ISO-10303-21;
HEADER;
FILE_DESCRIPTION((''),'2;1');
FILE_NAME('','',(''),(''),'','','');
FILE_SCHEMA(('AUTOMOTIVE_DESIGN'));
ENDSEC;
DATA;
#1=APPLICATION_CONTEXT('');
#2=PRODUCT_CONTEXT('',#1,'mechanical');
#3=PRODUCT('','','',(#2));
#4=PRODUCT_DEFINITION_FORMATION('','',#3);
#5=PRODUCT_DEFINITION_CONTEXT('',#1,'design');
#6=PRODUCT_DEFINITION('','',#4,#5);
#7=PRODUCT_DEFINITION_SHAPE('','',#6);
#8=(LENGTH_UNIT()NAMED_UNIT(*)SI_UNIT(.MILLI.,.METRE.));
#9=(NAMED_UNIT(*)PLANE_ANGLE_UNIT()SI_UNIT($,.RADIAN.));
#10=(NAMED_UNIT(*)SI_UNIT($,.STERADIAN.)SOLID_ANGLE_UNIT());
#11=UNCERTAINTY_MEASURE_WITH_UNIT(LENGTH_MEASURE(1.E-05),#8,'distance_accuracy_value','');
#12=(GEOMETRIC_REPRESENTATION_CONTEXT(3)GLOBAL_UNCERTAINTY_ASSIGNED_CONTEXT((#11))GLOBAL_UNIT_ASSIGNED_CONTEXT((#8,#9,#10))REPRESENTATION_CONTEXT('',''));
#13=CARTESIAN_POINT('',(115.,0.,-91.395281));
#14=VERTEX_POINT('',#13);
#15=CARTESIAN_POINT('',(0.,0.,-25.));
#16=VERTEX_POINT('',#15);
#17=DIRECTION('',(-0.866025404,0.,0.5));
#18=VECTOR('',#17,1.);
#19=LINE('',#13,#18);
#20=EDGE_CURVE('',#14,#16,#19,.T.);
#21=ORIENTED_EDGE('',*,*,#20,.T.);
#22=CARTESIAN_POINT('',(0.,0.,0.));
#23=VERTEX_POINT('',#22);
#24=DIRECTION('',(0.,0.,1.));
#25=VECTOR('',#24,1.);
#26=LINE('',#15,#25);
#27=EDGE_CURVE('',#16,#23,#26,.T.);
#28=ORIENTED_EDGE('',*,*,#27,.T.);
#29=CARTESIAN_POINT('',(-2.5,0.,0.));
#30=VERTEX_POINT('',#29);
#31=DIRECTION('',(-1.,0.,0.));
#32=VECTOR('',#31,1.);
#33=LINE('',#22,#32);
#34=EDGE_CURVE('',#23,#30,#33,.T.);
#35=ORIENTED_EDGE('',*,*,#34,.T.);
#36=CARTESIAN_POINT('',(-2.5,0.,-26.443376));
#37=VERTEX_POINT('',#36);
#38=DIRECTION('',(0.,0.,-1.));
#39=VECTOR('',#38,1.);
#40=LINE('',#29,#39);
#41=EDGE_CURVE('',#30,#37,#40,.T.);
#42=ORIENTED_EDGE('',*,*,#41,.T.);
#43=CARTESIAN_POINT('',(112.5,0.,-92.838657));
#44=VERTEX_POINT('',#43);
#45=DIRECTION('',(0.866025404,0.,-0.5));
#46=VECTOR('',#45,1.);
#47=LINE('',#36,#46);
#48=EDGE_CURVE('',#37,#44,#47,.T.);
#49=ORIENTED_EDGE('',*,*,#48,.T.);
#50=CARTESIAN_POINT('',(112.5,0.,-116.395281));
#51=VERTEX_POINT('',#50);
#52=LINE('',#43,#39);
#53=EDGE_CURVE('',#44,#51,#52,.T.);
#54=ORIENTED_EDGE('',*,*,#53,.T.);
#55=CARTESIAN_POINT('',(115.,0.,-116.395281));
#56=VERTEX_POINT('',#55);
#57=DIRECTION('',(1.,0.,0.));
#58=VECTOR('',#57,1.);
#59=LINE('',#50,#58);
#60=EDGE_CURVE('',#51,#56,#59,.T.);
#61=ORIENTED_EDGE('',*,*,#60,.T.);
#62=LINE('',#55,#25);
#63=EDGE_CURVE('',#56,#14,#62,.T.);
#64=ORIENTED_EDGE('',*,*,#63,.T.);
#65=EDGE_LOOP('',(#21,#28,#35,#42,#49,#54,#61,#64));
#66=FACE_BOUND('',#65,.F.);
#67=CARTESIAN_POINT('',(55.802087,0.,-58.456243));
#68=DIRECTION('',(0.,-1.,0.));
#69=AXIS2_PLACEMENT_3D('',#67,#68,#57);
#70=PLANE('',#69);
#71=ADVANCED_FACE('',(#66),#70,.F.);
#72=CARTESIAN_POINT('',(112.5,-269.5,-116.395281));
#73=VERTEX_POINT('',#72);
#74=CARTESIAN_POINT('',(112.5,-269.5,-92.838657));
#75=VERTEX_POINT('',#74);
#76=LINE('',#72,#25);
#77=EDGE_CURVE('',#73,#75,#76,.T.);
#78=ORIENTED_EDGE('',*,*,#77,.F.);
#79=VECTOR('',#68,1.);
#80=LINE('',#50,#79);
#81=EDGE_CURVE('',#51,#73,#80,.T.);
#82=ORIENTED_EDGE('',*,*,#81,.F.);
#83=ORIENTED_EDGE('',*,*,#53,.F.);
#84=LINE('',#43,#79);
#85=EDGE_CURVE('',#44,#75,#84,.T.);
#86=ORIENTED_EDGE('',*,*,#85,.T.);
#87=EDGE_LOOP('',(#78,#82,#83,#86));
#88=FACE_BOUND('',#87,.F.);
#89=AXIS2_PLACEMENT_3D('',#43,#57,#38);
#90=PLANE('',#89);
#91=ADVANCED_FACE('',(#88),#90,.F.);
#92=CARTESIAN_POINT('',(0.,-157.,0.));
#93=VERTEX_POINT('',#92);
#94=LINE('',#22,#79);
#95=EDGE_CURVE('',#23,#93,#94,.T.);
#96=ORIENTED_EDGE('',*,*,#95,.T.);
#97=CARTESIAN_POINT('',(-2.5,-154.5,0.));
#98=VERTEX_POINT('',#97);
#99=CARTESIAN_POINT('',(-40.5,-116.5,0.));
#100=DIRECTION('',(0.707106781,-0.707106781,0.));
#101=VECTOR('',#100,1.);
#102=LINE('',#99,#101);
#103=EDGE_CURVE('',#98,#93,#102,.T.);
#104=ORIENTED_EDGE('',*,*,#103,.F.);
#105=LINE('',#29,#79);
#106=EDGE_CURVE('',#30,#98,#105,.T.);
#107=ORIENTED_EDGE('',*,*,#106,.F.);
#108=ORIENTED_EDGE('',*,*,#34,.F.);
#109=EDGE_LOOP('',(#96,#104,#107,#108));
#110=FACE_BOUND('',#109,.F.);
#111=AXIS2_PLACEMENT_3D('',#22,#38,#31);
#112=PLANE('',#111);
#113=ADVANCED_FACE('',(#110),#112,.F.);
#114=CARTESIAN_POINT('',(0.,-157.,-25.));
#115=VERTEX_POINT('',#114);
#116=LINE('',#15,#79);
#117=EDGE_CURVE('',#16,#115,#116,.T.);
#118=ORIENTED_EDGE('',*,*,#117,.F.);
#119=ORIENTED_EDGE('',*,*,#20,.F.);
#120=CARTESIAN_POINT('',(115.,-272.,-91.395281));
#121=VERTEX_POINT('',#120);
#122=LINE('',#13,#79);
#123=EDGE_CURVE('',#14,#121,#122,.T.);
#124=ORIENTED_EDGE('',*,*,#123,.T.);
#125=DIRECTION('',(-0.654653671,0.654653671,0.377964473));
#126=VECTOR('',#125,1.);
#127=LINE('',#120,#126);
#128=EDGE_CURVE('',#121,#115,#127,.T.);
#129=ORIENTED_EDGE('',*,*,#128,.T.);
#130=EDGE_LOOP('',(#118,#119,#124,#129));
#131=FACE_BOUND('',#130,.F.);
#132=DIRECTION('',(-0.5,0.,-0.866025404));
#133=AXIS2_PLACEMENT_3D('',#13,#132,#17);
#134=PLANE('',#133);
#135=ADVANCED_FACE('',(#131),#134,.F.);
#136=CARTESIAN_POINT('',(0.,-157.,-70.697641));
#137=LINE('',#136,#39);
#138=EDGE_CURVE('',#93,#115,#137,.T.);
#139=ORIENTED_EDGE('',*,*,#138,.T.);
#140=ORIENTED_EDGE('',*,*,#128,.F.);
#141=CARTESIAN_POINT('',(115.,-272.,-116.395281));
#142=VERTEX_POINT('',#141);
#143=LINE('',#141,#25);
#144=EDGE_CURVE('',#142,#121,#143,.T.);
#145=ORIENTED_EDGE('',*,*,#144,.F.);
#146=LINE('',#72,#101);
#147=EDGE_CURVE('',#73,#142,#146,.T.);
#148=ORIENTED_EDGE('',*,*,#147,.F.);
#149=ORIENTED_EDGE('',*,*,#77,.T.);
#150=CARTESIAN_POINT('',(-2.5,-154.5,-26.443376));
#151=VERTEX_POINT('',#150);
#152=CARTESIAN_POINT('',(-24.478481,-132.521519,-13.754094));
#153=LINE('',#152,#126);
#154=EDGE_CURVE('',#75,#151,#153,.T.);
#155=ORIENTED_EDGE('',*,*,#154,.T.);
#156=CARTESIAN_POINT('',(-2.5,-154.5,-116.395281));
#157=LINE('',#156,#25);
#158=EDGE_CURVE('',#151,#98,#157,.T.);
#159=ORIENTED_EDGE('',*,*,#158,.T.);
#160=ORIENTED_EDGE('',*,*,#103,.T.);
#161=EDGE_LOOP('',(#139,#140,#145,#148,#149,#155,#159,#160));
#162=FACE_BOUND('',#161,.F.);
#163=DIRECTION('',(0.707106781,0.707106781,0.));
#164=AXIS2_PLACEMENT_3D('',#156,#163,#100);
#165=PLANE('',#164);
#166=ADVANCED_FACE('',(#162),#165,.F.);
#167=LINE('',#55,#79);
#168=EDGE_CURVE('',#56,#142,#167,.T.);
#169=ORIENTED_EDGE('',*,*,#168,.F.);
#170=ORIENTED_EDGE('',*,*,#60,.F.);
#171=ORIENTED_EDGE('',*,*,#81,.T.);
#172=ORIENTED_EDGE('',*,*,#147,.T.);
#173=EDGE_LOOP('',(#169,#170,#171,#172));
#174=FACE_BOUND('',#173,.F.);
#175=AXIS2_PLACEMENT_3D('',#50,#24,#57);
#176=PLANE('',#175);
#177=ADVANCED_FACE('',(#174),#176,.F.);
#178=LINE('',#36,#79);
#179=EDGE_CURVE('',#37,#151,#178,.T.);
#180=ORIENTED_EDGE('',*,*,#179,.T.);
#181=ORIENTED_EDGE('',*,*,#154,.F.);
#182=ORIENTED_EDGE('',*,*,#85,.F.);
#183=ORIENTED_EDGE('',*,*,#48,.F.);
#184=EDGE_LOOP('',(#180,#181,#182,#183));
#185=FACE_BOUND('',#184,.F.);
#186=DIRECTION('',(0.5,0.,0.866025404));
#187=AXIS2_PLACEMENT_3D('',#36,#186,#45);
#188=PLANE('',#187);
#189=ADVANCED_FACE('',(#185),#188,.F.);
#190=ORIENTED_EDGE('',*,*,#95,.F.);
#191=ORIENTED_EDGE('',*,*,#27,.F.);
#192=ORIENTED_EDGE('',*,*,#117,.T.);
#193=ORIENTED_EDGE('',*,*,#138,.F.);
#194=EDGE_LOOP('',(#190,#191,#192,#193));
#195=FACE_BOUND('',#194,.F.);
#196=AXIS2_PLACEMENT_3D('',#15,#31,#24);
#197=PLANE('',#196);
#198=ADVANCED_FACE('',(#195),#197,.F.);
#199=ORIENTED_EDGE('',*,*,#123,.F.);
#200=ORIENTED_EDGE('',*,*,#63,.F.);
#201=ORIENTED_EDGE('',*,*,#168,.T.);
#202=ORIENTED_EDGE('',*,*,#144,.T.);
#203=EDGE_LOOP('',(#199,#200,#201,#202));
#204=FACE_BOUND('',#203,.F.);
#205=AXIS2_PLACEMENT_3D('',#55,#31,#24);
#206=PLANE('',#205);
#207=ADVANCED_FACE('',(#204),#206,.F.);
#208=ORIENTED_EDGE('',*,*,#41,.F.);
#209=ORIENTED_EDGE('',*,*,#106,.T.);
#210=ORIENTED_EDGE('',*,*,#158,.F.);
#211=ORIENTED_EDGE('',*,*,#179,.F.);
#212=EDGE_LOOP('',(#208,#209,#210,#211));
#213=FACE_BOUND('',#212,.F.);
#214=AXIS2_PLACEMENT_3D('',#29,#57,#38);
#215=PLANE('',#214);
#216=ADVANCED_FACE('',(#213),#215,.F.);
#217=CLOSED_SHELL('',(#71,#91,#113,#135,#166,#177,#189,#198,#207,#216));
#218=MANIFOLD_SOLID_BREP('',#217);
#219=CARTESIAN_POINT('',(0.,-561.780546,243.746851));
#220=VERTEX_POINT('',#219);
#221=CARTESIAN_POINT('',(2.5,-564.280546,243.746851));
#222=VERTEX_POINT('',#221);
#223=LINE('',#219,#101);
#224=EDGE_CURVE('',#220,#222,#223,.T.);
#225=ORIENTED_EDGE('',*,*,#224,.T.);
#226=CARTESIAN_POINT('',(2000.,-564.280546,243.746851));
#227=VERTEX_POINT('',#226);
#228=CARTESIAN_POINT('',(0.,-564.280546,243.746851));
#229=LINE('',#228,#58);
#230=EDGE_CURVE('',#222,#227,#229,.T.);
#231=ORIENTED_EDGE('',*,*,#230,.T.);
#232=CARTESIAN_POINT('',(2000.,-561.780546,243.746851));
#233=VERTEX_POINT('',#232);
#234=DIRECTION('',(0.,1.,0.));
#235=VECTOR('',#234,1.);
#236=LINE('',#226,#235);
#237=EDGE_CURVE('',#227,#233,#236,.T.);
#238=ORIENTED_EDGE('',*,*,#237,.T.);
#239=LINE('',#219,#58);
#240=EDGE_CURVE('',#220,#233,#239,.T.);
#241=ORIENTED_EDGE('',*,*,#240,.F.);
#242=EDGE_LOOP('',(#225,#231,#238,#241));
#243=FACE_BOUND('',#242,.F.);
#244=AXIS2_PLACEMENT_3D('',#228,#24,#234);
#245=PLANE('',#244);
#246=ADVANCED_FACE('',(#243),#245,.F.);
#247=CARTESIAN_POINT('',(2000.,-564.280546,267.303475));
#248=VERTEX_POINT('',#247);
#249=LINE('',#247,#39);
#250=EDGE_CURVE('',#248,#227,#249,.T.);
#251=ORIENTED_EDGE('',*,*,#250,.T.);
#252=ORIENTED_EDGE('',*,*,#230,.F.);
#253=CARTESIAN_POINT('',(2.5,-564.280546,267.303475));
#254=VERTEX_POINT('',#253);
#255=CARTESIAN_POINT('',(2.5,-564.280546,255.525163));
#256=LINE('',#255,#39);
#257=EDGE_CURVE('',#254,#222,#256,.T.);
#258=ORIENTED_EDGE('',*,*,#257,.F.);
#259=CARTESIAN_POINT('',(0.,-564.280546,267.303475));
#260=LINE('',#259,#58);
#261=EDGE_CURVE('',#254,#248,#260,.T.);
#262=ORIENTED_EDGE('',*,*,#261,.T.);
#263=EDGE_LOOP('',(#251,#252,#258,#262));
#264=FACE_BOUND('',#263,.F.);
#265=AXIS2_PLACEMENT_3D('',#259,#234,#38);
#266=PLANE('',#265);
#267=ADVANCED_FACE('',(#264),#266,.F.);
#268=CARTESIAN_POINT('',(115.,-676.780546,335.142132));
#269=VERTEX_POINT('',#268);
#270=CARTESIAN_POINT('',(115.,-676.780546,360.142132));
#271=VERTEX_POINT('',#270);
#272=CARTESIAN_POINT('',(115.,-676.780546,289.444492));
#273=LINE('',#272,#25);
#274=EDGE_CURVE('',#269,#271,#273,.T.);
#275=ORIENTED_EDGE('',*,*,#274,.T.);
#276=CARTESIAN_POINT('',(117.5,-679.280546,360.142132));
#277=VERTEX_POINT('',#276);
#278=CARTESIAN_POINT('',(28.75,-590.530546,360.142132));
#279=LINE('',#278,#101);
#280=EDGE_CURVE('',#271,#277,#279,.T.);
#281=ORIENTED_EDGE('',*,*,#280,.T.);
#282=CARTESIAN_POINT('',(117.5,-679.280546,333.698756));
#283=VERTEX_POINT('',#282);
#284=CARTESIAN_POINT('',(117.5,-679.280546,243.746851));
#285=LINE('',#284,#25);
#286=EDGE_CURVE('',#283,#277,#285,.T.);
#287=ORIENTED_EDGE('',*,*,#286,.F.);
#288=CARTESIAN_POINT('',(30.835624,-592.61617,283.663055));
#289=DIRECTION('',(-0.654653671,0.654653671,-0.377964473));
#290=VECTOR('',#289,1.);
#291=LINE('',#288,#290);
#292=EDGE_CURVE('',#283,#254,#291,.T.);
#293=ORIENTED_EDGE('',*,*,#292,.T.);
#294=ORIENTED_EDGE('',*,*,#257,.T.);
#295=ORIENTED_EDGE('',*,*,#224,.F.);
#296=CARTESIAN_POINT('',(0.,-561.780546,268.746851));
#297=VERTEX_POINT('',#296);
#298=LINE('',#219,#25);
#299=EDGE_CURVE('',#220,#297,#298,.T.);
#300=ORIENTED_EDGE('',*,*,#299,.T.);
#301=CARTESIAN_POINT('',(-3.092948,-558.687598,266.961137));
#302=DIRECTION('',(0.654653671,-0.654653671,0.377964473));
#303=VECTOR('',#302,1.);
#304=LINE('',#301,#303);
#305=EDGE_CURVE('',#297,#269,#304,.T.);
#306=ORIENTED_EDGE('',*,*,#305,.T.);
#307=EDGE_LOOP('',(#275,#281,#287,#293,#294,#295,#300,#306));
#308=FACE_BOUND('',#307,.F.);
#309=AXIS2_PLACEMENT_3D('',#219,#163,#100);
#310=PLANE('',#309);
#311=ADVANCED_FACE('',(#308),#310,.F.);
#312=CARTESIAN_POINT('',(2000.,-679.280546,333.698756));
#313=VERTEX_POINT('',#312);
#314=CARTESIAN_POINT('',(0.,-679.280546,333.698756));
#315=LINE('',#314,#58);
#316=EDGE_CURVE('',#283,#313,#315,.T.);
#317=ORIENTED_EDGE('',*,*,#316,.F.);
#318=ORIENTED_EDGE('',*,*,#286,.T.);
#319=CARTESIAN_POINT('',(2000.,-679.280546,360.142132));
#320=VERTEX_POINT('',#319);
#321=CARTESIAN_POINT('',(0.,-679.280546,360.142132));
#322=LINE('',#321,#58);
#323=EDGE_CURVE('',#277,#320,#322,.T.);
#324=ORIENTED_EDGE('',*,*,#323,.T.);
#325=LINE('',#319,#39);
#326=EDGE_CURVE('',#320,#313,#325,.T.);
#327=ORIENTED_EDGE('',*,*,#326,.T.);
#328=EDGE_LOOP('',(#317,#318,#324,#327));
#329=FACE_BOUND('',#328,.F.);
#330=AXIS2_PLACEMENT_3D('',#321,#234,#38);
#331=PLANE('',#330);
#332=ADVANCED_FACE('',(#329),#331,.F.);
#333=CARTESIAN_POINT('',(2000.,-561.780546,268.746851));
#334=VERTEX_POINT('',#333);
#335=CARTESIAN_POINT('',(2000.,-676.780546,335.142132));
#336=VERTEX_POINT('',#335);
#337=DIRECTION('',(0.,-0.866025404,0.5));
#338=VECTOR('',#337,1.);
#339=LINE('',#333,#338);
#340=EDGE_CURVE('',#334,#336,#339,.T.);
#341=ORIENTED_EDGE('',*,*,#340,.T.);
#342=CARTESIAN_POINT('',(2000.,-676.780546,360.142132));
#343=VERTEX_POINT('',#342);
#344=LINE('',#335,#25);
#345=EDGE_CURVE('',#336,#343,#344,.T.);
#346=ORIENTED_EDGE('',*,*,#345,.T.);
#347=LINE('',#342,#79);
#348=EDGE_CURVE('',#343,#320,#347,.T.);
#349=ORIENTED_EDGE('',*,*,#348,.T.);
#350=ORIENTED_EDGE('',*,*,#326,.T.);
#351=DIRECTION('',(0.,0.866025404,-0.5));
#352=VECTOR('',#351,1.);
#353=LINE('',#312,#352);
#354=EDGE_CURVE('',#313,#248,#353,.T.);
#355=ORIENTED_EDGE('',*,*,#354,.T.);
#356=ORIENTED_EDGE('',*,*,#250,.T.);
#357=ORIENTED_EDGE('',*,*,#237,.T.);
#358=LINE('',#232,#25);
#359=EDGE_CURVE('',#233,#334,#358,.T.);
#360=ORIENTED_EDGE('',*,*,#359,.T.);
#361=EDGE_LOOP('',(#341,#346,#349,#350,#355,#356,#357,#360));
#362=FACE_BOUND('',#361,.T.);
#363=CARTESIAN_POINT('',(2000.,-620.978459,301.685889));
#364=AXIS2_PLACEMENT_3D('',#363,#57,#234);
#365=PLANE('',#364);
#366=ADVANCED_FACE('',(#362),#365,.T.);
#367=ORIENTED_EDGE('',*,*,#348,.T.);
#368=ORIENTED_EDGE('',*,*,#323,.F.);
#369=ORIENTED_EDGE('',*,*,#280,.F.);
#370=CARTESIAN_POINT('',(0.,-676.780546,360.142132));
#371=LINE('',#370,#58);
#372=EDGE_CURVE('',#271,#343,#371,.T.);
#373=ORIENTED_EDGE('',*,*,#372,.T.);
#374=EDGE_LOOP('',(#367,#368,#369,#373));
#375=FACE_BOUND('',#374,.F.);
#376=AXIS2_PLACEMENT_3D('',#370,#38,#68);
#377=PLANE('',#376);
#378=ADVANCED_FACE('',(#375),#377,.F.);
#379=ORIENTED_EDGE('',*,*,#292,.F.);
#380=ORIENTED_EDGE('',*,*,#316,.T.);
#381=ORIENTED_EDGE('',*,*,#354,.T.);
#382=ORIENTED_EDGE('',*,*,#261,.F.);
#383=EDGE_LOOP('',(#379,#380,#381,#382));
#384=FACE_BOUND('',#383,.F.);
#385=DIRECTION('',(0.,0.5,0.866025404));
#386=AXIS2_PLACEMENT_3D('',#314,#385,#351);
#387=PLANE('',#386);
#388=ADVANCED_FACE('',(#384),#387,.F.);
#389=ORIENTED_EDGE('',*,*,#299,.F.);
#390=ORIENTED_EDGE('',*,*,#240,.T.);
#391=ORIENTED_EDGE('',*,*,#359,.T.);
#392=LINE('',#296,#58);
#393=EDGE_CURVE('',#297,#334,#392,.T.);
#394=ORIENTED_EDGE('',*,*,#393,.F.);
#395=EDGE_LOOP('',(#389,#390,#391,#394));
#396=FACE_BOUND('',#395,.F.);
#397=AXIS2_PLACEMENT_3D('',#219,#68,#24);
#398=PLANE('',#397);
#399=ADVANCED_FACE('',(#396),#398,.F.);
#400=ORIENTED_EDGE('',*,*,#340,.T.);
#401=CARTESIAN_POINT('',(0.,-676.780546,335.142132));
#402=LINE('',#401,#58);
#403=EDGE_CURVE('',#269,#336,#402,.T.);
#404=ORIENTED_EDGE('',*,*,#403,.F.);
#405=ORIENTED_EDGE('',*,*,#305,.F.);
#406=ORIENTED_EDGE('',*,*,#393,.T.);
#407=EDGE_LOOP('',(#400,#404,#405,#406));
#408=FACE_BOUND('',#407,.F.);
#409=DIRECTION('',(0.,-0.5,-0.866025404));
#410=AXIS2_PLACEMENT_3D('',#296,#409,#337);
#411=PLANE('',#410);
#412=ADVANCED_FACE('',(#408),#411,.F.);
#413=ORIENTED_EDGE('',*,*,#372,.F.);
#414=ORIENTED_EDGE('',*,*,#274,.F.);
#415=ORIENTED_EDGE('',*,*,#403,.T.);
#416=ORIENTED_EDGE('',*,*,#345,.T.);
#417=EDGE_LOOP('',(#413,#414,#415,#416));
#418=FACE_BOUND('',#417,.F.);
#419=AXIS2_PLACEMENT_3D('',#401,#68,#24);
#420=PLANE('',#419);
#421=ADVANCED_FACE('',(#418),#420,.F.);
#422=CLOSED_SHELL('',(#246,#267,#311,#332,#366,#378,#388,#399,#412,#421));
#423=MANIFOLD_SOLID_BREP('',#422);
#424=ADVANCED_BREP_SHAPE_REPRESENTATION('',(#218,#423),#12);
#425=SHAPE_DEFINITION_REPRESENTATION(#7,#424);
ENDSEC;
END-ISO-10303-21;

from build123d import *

# Parameters (mm, degrees)
F1_DEPTH = 272
F3_DEPTH = 116.396281
F5_DEPTH = 2000
F7_DEPTH = 476.538413
F9_DEPTH = 116.396281


with BuildPart() as f1:
    # F0 (on Front) → F1 (new body)
    with BuildSketch(Plane.XZ):
        Polygon((0, -25), (0, 0), (-2.5, 0), (-2.5, -26.443376), (112.5, -92.838657), (112.5, -116.395281), (115, -116.395281), (115, -91.395281), align=None)
    extrude(amount=F1_DEPTH)

    # F2 (on face) → F3 (cut, through all)
    with BuildSketch(Plane(origin=(0, 0, -116.395281), x_dir=(1, 0, 0), z_dir=(0, 0, -1))):
        Polygon((-2.5, 154.5), (112.5, 269.5), (112.5, 272), (-2.5, 272), align=None)
    extrude(amount=-F3_DEPTH, mode=Mode.SUBTRACT)

    # F6 (on face) → F7 (cut, through all)
    with BuildSketch(Plane(origin=(0, 0, -116.395281), x_dir=(1, 0, 0), z_dir=(0, 0, -1))):
        Polygon((112.5, 269.5), (115, 272), (112.5, 272), align=None)
    extrude(amount=-F7_DEPTH, mode=Mode.SUBTRACT)


with BuildPart() as f5:
    # F4 (on Right) → F5 (new body)
    with BuildSketch(Plane.YZ):
        Polygon((-676.780546, 335.142132), (-676.780546, 360.142132), (-679.280546, 360.142132), (-679.280546, 333.698756), (-564.280546, 267.303475), (-564.280546, 243.746851), (-561.780546, 243.746851), (-561.780546, 268.746851), align=None)
    extrude(amount=F5_DEPTH)

    # F8 (on face) → F9 (cut, through all)
    with BuildSketch(Plane(origin=(0, 0, 243.746851), x_dir=(1, 0, 0), z_dir=(0, 0, -1))):
        Polygon((0, 564.280546), (2.5, 564.280546), (117.5, 679.280546), (0, 679.280546), (0, 676.780546), align=None)
        Polygon((0, 564.280546), (0, 561.780546), (2.5, 564.280546), align=None)
    extrude(amount=-F9_DEPTH, mode=Mode.SUBTRACT)


with BuildPart() as f10_1:
    # F10: copy of F1
    add(f1.part)


solid = Compound([f1.part, f5.part])
